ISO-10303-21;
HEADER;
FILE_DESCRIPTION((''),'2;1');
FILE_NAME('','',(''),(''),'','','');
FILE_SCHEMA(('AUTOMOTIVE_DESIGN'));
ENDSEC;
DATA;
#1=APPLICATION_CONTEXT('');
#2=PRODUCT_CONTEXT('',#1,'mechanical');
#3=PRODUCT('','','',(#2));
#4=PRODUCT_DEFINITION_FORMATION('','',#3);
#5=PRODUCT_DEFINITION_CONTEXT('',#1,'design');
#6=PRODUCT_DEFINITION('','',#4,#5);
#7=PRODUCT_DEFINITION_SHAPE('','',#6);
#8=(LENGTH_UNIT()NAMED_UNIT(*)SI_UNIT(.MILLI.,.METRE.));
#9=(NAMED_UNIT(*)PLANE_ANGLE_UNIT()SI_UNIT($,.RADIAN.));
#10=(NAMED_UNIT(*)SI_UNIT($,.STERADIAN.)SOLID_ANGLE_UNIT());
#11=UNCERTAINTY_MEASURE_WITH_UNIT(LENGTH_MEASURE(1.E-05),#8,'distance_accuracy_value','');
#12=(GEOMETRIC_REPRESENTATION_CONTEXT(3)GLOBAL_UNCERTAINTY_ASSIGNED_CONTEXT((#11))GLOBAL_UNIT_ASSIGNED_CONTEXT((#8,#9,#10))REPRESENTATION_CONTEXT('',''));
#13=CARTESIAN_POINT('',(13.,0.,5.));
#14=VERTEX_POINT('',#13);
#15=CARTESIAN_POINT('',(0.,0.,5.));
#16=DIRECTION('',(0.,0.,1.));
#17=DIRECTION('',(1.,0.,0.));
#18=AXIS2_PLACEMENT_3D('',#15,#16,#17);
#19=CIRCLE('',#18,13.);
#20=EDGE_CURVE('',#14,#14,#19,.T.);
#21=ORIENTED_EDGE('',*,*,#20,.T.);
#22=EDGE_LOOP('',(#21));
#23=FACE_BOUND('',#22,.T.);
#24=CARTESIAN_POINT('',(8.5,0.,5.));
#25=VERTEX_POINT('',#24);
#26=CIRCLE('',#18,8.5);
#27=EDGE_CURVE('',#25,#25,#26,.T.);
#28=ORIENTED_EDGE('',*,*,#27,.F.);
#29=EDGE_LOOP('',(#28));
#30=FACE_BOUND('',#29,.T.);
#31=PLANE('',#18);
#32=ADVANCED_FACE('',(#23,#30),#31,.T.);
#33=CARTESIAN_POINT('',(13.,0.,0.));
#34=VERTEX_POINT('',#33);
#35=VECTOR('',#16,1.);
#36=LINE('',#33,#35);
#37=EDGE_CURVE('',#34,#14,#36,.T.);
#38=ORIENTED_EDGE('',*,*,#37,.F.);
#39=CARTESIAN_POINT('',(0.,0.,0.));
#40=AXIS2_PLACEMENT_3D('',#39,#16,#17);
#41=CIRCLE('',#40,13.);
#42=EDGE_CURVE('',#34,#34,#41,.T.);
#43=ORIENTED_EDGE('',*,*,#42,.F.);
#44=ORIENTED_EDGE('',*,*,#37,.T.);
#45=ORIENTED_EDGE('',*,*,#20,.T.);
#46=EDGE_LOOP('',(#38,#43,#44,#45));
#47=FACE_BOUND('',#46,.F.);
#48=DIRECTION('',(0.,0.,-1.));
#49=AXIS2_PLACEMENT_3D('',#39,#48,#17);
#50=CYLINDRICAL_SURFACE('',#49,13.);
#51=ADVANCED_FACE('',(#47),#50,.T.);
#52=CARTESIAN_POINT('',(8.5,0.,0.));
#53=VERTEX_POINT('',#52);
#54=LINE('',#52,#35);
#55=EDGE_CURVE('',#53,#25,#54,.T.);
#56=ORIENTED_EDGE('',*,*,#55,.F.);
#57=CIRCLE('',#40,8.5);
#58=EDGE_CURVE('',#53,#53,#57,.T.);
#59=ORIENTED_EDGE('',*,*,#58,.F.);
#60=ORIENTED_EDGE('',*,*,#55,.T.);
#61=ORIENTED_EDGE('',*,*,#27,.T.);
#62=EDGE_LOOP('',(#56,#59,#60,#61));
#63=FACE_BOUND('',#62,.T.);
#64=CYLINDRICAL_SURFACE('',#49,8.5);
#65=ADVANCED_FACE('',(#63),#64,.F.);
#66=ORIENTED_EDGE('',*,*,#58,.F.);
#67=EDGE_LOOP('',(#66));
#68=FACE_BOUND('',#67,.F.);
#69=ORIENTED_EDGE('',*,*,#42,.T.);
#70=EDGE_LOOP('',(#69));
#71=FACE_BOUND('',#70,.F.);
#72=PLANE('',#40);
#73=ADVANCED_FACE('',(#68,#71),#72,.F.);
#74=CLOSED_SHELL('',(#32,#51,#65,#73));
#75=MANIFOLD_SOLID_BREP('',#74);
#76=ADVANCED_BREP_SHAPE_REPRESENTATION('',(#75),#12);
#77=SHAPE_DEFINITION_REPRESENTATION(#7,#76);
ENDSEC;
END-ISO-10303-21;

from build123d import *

# Parameters (mm, degrees)
SKETCH_1_R      = 13
SKETCH_1_R_2    = 8.5
EXTRUDE_1_DEPTH = 5


with BuildPart() as part:
    # Эскиз1 → Бобышка-Вытянуть1 (new body)
    with BuildSketch(Plane.XY):
        Circle(SKETCH_1_R)
        Circle(SKETCH_1_R_2, mode=Mode.SUBTRACT)
    extrude(amount=EXTRUDE_1_DEPTH)


solid = part.part
